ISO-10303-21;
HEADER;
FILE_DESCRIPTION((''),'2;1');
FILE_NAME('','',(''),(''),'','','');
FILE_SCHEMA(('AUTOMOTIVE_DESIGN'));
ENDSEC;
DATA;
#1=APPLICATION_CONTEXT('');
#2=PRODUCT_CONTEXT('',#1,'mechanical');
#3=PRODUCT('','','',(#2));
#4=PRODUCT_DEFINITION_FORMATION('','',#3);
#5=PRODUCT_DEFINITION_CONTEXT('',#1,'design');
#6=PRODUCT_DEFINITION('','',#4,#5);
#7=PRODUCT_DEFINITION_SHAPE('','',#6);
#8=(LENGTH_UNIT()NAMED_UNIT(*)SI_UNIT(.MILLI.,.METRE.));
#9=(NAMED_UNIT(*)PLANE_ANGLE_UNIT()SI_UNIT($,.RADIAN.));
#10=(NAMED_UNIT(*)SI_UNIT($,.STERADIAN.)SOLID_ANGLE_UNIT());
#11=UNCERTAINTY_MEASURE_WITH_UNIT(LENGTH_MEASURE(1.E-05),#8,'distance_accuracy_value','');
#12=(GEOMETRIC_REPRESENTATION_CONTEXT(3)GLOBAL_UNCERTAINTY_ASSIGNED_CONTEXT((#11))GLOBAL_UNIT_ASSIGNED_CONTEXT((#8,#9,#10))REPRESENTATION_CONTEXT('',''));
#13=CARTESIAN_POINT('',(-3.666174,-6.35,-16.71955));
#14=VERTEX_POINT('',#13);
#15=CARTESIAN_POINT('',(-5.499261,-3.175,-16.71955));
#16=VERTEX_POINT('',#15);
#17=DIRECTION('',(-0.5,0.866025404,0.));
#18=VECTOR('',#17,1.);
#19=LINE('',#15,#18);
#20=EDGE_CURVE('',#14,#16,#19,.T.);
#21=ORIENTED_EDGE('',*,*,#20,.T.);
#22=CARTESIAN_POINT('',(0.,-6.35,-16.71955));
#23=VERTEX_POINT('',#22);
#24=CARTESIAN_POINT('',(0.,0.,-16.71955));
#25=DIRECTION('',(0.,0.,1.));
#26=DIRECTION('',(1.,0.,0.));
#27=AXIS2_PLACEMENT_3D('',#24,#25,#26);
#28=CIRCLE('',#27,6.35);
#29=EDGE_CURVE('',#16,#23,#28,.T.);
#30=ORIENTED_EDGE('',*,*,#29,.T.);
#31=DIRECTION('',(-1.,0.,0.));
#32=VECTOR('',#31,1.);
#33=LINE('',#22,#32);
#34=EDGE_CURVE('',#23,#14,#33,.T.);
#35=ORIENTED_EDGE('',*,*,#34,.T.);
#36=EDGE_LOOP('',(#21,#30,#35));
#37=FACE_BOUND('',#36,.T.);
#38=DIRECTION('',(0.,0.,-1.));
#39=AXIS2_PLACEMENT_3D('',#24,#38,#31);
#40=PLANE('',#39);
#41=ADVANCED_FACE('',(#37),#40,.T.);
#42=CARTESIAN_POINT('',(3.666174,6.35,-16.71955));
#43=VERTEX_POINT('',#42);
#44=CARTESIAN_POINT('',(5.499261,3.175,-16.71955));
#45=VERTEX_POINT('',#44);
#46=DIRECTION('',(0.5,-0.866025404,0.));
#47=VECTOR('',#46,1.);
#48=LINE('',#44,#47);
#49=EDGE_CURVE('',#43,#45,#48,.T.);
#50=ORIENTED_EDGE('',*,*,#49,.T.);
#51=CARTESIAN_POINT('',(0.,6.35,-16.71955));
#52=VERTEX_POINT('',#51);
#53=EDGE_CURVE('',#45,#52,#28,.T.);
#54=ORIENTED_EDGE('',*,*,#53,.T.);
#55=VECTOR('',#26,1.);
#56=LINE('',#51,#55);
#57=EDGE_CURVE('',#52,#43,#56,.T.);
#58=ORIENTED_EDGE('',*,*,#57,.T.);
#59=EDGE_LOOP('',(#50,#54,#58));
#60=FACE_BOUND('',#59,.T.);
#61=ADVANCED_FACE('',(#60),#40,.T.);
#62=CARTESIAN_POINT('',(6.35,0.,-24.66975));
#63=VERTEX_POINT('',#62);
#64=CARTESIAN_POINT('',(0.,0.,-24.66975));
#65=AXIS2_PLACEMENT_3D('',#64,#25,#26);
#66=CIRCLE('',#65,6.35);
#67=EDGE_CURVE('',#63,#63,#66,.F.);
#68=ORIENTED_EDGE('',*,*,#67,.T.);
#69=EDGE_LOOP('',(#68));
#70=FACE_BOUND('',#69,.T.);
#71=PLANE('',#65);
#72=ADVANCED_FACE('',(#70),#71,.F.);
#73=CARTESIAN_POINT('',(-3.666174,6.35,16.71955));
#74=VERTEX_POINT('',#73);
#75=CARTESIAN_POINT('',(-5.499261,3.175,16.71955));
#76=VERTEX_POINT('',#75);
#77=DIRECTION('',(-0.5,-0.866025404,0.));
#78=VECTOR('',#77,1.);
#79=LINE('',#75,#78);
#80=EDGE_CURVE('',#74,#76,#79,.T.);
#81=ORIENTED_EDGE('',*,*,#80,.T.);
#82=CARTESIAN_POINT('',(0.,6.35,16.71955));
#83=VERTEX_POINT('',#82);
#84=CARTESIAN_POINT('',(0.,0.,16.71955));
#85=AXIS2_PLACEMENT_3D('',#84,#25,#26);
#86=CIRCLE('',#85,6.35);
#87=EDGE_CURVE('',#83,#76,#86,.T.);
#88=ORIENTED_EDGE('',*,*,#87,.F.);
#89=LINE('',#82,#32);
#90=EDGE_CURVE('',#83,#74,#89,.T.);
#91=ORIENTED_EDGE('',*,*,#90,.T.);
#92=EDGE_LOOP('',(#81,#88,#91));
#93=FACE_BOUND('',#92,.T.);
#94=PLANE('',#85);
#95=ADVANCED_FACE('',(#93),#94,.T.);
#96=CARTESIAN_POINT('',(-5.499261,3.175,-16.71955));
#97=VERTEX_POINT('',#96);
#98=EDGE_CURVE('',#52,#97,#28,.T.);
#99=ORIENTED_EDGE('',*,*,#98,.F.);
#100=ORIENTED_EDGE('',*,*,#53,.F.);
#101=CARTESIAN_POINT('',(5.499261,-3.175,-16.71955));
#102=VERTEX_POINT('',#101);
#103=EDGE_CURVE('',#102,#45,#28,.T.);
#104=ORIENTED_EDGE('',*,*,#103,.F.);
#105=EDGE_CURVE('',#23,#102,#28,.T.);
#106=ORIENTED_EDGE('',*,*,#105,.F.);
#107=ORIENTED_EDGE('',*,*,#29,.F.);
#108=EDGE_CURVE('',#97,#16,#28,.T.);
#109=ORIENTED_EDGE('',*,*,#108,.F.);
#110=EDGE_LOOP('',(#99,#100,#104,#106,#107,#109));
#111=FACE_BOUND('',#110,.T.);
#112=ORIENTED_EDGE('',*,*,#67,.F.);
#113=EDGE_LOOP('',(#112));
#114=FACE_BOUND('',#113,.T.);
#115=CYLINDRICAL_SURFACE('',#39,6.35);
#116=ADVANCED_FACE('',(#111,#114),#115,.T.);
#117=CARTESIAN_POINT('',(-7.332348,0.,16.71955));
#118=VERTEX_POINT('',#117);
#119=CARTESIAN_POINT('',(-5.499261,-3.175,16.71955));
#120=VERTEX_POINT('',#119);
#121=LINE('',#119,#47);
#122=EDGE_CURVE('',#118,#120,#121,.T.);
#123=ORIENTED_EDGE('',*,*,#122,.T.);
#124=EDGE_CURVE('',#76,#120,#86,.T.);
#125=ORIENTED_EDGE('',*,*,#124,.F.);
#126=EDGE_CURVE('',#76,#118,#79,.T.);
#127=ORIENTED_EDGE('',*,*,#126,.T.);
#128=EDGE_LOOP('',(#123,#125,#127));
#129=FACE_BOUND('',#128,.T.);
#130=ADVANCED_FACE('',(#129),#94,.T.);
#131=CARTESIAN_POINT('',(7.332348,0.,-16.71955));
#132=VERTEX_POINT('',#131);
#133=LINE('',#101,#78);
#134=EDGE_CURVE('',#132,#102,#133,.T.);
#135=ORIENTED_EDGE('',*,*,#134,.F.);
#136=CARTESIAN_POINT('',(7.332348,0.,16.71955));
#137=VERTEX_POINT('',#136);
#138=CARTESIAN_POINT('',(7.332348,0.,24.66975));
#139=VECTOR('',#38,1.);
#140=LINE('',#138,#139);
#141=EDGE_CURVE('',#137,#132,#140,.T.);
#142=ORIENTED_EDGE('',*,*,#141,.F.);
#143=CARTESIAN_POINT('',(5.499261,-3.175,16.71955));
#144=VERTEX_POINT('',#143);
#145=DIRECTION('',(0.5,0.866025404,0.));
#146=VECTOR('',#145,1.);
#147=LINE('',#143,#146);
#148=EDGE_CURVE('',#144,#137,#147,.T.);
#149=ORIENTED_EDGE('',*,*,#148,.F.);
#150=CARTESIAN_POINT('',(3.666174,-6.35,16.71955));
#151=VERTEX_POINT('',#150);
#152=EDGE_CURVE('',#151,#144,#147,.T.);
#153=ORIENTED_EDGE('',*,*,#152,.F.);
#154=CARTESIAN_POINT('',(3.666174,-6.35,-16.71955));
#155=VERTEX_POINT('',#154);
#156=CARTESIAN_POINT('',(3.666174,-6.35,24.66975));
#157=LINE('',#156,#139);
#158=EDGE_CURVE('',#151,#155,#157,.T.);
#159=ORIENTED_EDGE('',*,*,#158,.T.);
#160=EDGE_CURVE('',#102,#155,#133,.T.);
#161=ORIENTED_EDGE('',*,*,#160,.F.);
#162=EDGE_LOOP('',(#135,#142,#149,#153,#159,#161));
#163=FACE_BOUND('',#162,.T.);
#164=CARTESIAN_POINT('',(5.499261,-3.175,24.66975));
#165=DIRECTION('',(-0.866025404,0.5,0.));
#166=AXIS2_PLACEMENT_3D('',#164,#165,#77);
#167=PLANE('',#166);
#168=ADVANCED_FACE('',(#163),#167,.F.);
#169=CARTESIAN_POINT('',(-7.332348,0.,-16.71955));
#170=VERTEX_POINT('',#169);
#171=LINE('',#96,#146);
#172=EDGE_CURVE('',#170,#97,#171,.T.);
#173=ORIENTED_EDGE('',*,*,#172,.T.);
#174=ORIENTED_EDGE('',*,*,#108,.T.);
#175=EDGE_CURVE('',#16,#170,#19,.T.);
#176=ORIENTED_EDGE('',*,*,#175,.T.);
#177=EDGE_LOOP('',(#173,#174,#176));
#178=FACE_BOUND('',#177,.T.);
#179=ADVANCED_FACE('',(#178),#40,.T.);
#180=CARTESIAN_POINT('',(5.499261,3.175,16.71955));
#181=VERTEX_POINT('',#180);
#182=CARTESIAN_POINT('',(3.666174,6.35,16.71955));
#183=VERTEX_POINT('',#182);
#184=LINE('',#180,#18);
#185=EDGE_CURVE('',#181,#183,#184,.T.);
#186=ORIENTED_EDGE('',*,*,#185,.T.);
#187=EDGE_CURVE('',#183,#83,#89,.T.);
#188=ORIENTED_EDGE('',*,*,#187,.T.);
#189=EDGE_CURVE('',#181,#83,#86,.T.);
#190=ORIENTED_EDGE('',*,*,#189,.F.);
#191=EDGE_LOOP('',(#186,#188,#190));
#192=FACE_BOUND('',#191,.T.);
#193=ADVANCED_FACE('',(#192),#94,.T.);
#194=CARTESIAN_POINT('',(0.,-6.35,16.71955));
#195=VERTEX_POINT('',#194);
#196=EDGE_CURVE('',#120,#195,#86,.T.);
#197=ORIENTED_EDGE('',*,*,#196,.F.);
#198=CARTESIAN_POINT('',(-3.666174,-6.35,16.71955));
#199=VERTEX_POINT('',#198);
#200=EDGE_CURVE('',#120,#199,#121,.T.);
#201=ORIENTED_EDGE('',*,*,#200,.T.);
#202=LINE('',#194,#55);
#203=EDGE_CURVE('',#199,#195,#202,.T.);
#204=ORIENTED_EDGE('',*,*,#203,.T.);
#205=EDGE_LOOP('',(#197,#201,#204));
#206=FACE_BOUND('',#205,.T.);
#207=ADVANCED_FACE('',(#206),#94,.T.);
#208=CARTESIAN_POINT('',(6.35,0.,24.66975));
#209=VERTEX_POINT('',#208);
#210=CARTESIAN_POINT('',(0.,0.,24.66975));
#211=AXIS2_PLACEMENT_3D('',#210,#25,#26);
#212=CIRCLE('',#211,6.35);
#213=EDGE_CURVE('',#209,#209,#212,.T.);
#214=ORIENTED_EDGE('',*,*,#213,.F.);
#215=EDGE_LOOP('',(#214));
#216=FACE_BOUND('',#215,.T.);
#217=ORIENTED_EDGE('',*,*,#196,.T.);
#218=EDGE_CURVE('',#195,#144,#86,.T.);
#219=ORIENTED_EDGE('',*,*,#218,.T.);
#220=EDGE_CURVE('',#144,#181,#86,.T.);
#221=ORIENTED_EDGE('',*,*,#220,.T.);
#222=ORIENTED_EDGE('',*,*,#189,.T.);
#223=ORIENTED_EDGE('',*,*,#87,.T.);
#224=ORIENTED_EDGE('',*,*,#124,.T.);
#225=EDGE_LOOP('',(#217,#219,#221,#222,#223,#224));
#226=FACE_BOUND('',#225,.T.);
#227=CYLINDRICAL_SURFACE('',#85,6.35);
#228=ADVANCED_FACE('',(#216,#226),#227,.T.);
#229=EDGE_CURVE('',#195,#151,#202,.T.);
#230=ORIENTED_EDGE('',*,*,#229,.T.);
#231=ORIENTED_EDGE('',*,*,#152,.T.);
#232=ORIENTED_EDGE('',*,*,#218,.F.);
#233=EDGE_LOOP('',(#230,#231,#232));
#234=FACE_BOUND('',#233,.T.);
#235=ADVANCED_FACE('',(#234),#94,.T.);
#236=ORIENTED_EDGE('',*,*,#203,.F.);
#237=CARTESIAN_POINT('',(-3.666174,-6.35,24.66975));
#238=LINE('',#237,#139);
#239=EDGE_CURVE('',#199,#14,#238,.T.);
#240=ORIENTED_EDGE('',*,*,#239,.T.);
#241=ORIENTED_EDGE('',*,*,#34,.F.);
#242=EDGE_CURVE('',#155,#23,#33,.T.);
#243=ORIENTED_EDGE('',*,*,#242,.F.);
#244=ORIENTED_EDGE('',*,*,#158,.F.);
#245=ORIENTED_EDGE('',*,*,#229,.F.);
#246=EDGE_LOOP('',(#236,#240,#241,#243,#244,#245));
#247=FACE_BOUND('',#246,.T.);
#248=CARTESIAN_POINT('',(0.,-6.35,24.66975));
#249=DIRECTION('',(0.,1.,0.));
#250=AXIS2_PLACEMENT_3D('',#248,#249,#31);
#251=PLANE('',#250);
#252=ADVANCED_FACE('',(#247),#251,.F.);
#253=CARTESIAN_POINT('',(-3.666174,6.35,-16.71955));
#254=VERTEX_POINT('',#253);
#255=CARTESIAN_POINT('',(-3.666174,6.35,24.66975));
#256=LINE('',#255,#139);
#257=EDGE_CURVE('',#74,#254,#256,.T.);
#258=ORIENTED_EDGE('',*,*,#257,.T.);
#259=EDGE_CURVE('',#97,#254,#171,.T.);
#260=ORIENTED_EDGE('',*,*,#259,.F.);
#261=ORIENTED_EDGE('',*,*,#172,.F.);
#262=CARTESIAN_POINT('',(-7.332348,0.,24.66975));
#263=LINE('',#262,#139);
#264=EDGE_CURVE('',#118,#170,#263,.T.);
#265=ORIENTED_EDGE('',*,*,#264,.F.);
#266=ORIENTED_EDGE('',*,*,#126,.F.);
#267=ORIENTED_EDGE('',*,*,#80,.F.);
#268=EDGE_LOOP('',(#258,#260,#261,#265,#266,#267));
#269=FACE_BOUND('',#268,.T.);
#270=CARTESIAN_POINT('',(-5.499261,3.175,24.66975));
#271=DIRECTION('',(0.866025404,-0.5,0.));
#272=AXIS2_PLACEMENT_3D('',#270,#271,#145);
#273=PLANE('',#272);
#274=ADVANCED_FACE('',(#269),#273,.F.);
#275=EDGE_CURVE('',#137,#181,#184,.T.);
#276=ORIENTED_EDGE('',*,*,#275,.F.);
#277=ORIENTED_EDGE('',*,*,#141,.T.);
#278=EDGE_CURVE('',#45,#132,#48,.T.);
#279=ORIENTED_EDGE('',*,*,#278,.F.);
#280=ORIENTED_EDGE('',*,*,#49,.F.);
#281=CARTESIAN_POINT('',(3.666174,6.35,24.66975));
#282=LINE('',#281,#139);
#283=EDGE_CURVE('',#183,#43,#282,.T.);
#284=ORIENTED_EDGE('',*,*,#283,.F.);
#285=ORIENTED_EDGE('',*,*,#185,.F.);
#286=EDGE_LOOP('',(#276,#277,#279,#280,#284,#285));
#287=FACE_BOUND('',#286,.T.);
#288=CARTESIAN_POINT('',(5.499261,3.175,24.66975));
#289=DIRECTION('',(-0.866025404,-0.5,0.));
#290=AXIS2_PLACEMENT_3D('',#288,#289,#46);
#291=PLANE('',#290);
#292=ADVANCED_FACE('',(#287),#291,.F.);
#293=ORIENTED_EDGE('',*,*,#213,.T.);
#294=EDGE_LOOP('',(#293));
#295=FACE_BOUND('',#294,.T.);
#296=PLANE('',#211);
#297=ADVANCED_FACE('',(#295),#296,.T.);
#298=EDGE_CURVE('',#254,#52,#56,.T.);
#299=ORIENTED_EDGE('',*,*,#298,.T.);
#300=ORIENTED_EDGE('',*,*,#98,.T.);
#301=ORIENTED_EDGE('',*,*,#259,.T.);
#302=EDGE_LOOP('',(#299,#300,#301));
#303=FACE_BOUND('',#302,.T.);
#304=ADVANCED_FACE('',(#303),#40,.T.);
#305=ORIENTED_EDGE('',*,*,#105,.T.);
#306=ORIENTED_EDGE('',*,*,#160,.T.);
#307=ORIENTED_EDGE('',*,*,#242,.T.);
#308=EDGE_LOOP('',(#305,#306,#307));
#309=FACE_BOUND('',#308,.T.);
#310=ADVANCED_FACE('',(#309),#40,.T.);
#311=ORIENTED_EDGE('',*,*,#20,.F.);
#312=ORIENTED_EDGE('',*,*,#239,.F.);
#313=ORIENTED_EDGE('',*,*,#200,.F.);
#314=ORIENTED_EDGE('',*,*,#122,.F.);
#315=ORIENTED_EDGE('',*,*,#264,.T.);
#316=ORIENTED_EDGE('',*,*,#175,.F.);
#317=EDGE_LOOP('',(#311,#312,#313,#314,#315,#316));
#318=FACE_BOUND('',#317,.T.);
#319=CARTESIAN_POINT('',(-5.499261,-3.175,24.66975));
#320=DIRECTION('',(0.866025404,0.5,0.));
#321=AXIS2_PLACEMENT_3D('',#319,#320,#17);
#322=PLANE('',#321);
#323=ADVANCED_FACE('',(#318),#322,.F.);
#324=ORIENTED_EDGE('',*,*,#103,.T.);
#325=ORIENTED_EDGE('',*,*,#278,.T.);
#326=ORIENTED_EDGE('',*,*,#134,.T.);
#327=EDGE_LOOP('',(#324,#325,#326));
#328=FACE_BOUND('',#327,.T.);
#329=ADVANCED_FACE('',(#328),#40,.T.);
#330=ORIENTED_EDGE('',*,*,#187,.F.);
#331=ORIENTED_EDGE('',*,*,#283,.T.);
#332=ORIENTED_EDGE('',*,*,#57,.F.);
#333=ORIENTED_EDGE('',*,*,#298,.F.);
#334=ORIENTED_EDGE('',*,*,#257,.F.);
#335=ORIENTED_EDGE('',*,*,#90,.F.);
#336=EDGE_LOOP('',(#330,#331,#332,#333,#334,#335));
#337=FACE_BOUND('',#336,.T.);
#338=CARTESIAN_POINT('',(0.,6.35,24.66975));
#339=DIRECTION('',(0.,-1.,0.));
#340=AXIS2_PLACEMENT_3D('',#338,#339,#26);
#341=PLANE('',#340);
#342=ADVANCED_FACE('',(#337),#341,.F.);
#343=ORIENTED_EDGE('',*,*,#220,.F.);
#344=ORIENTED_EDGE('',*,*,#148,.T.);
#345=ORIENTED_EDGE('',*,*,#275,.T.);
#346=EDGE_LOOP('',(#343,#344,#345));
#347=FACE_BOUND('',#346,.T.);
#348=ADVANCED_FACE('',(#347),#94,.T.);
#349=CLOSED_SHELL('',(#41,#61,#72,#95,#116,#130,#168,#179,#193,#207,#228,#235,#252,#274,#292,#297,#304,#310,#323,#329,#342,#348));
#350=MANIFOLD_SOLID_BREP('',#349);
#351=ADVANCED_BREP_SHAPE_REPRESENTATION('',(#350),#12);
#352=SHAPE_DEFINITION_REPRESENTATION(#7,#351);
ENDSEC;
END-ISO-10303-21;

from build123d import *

# Parameters (mm, degrees)
BOSS_EXTRUDE1_DEPTH = 24.66975
SKETCH4_OUTSIDE_W   = 27.268
SKETCH4_OUTSIDE_H   = 25.304
SKETCH4_OUTSIDE_R   = 6.35
CUT_EXTRUDE2_DEPTH  = 7.9502


with BuildPart() as part:
    # Sketch1 → Boss-Extrude1 (new, symmetric)
    with BuildSketch(Plane.XY):
        Polygon((7.332348419, 0), (3.666174209, 6.35), (-3.666174209, 6.35), (-7.332348419, 0), (-3.666174209, -6.35), (3.666174209, -6.35), align=None)
    extrude(amount=BOSS_EXTRUDE1_DEPTH, both=True)

    # Sketch4 outside → Cut-Extrude2 (cut)
    with BuildSketch(Plane.XY.offset(24.66975)):
        Rectangle(SKETCH4_OUTSIDE_W, SKETCH4_OUTSIDE_H)
        Circle(SKETCH4_OUTSIDE_R, mode=Mode.SUBTRACT)
    cut_extrude2 = extrude(amount=-CUT_EXTRUDE2_DEPTH, mode=Mode.SUBTRACT)

    # Mirror1: Cut-Extrude2 across plane
    add(cut_extrude2.mirror(Plane.XY), mode=Mode.SUBTRACT)


solid = part.part
